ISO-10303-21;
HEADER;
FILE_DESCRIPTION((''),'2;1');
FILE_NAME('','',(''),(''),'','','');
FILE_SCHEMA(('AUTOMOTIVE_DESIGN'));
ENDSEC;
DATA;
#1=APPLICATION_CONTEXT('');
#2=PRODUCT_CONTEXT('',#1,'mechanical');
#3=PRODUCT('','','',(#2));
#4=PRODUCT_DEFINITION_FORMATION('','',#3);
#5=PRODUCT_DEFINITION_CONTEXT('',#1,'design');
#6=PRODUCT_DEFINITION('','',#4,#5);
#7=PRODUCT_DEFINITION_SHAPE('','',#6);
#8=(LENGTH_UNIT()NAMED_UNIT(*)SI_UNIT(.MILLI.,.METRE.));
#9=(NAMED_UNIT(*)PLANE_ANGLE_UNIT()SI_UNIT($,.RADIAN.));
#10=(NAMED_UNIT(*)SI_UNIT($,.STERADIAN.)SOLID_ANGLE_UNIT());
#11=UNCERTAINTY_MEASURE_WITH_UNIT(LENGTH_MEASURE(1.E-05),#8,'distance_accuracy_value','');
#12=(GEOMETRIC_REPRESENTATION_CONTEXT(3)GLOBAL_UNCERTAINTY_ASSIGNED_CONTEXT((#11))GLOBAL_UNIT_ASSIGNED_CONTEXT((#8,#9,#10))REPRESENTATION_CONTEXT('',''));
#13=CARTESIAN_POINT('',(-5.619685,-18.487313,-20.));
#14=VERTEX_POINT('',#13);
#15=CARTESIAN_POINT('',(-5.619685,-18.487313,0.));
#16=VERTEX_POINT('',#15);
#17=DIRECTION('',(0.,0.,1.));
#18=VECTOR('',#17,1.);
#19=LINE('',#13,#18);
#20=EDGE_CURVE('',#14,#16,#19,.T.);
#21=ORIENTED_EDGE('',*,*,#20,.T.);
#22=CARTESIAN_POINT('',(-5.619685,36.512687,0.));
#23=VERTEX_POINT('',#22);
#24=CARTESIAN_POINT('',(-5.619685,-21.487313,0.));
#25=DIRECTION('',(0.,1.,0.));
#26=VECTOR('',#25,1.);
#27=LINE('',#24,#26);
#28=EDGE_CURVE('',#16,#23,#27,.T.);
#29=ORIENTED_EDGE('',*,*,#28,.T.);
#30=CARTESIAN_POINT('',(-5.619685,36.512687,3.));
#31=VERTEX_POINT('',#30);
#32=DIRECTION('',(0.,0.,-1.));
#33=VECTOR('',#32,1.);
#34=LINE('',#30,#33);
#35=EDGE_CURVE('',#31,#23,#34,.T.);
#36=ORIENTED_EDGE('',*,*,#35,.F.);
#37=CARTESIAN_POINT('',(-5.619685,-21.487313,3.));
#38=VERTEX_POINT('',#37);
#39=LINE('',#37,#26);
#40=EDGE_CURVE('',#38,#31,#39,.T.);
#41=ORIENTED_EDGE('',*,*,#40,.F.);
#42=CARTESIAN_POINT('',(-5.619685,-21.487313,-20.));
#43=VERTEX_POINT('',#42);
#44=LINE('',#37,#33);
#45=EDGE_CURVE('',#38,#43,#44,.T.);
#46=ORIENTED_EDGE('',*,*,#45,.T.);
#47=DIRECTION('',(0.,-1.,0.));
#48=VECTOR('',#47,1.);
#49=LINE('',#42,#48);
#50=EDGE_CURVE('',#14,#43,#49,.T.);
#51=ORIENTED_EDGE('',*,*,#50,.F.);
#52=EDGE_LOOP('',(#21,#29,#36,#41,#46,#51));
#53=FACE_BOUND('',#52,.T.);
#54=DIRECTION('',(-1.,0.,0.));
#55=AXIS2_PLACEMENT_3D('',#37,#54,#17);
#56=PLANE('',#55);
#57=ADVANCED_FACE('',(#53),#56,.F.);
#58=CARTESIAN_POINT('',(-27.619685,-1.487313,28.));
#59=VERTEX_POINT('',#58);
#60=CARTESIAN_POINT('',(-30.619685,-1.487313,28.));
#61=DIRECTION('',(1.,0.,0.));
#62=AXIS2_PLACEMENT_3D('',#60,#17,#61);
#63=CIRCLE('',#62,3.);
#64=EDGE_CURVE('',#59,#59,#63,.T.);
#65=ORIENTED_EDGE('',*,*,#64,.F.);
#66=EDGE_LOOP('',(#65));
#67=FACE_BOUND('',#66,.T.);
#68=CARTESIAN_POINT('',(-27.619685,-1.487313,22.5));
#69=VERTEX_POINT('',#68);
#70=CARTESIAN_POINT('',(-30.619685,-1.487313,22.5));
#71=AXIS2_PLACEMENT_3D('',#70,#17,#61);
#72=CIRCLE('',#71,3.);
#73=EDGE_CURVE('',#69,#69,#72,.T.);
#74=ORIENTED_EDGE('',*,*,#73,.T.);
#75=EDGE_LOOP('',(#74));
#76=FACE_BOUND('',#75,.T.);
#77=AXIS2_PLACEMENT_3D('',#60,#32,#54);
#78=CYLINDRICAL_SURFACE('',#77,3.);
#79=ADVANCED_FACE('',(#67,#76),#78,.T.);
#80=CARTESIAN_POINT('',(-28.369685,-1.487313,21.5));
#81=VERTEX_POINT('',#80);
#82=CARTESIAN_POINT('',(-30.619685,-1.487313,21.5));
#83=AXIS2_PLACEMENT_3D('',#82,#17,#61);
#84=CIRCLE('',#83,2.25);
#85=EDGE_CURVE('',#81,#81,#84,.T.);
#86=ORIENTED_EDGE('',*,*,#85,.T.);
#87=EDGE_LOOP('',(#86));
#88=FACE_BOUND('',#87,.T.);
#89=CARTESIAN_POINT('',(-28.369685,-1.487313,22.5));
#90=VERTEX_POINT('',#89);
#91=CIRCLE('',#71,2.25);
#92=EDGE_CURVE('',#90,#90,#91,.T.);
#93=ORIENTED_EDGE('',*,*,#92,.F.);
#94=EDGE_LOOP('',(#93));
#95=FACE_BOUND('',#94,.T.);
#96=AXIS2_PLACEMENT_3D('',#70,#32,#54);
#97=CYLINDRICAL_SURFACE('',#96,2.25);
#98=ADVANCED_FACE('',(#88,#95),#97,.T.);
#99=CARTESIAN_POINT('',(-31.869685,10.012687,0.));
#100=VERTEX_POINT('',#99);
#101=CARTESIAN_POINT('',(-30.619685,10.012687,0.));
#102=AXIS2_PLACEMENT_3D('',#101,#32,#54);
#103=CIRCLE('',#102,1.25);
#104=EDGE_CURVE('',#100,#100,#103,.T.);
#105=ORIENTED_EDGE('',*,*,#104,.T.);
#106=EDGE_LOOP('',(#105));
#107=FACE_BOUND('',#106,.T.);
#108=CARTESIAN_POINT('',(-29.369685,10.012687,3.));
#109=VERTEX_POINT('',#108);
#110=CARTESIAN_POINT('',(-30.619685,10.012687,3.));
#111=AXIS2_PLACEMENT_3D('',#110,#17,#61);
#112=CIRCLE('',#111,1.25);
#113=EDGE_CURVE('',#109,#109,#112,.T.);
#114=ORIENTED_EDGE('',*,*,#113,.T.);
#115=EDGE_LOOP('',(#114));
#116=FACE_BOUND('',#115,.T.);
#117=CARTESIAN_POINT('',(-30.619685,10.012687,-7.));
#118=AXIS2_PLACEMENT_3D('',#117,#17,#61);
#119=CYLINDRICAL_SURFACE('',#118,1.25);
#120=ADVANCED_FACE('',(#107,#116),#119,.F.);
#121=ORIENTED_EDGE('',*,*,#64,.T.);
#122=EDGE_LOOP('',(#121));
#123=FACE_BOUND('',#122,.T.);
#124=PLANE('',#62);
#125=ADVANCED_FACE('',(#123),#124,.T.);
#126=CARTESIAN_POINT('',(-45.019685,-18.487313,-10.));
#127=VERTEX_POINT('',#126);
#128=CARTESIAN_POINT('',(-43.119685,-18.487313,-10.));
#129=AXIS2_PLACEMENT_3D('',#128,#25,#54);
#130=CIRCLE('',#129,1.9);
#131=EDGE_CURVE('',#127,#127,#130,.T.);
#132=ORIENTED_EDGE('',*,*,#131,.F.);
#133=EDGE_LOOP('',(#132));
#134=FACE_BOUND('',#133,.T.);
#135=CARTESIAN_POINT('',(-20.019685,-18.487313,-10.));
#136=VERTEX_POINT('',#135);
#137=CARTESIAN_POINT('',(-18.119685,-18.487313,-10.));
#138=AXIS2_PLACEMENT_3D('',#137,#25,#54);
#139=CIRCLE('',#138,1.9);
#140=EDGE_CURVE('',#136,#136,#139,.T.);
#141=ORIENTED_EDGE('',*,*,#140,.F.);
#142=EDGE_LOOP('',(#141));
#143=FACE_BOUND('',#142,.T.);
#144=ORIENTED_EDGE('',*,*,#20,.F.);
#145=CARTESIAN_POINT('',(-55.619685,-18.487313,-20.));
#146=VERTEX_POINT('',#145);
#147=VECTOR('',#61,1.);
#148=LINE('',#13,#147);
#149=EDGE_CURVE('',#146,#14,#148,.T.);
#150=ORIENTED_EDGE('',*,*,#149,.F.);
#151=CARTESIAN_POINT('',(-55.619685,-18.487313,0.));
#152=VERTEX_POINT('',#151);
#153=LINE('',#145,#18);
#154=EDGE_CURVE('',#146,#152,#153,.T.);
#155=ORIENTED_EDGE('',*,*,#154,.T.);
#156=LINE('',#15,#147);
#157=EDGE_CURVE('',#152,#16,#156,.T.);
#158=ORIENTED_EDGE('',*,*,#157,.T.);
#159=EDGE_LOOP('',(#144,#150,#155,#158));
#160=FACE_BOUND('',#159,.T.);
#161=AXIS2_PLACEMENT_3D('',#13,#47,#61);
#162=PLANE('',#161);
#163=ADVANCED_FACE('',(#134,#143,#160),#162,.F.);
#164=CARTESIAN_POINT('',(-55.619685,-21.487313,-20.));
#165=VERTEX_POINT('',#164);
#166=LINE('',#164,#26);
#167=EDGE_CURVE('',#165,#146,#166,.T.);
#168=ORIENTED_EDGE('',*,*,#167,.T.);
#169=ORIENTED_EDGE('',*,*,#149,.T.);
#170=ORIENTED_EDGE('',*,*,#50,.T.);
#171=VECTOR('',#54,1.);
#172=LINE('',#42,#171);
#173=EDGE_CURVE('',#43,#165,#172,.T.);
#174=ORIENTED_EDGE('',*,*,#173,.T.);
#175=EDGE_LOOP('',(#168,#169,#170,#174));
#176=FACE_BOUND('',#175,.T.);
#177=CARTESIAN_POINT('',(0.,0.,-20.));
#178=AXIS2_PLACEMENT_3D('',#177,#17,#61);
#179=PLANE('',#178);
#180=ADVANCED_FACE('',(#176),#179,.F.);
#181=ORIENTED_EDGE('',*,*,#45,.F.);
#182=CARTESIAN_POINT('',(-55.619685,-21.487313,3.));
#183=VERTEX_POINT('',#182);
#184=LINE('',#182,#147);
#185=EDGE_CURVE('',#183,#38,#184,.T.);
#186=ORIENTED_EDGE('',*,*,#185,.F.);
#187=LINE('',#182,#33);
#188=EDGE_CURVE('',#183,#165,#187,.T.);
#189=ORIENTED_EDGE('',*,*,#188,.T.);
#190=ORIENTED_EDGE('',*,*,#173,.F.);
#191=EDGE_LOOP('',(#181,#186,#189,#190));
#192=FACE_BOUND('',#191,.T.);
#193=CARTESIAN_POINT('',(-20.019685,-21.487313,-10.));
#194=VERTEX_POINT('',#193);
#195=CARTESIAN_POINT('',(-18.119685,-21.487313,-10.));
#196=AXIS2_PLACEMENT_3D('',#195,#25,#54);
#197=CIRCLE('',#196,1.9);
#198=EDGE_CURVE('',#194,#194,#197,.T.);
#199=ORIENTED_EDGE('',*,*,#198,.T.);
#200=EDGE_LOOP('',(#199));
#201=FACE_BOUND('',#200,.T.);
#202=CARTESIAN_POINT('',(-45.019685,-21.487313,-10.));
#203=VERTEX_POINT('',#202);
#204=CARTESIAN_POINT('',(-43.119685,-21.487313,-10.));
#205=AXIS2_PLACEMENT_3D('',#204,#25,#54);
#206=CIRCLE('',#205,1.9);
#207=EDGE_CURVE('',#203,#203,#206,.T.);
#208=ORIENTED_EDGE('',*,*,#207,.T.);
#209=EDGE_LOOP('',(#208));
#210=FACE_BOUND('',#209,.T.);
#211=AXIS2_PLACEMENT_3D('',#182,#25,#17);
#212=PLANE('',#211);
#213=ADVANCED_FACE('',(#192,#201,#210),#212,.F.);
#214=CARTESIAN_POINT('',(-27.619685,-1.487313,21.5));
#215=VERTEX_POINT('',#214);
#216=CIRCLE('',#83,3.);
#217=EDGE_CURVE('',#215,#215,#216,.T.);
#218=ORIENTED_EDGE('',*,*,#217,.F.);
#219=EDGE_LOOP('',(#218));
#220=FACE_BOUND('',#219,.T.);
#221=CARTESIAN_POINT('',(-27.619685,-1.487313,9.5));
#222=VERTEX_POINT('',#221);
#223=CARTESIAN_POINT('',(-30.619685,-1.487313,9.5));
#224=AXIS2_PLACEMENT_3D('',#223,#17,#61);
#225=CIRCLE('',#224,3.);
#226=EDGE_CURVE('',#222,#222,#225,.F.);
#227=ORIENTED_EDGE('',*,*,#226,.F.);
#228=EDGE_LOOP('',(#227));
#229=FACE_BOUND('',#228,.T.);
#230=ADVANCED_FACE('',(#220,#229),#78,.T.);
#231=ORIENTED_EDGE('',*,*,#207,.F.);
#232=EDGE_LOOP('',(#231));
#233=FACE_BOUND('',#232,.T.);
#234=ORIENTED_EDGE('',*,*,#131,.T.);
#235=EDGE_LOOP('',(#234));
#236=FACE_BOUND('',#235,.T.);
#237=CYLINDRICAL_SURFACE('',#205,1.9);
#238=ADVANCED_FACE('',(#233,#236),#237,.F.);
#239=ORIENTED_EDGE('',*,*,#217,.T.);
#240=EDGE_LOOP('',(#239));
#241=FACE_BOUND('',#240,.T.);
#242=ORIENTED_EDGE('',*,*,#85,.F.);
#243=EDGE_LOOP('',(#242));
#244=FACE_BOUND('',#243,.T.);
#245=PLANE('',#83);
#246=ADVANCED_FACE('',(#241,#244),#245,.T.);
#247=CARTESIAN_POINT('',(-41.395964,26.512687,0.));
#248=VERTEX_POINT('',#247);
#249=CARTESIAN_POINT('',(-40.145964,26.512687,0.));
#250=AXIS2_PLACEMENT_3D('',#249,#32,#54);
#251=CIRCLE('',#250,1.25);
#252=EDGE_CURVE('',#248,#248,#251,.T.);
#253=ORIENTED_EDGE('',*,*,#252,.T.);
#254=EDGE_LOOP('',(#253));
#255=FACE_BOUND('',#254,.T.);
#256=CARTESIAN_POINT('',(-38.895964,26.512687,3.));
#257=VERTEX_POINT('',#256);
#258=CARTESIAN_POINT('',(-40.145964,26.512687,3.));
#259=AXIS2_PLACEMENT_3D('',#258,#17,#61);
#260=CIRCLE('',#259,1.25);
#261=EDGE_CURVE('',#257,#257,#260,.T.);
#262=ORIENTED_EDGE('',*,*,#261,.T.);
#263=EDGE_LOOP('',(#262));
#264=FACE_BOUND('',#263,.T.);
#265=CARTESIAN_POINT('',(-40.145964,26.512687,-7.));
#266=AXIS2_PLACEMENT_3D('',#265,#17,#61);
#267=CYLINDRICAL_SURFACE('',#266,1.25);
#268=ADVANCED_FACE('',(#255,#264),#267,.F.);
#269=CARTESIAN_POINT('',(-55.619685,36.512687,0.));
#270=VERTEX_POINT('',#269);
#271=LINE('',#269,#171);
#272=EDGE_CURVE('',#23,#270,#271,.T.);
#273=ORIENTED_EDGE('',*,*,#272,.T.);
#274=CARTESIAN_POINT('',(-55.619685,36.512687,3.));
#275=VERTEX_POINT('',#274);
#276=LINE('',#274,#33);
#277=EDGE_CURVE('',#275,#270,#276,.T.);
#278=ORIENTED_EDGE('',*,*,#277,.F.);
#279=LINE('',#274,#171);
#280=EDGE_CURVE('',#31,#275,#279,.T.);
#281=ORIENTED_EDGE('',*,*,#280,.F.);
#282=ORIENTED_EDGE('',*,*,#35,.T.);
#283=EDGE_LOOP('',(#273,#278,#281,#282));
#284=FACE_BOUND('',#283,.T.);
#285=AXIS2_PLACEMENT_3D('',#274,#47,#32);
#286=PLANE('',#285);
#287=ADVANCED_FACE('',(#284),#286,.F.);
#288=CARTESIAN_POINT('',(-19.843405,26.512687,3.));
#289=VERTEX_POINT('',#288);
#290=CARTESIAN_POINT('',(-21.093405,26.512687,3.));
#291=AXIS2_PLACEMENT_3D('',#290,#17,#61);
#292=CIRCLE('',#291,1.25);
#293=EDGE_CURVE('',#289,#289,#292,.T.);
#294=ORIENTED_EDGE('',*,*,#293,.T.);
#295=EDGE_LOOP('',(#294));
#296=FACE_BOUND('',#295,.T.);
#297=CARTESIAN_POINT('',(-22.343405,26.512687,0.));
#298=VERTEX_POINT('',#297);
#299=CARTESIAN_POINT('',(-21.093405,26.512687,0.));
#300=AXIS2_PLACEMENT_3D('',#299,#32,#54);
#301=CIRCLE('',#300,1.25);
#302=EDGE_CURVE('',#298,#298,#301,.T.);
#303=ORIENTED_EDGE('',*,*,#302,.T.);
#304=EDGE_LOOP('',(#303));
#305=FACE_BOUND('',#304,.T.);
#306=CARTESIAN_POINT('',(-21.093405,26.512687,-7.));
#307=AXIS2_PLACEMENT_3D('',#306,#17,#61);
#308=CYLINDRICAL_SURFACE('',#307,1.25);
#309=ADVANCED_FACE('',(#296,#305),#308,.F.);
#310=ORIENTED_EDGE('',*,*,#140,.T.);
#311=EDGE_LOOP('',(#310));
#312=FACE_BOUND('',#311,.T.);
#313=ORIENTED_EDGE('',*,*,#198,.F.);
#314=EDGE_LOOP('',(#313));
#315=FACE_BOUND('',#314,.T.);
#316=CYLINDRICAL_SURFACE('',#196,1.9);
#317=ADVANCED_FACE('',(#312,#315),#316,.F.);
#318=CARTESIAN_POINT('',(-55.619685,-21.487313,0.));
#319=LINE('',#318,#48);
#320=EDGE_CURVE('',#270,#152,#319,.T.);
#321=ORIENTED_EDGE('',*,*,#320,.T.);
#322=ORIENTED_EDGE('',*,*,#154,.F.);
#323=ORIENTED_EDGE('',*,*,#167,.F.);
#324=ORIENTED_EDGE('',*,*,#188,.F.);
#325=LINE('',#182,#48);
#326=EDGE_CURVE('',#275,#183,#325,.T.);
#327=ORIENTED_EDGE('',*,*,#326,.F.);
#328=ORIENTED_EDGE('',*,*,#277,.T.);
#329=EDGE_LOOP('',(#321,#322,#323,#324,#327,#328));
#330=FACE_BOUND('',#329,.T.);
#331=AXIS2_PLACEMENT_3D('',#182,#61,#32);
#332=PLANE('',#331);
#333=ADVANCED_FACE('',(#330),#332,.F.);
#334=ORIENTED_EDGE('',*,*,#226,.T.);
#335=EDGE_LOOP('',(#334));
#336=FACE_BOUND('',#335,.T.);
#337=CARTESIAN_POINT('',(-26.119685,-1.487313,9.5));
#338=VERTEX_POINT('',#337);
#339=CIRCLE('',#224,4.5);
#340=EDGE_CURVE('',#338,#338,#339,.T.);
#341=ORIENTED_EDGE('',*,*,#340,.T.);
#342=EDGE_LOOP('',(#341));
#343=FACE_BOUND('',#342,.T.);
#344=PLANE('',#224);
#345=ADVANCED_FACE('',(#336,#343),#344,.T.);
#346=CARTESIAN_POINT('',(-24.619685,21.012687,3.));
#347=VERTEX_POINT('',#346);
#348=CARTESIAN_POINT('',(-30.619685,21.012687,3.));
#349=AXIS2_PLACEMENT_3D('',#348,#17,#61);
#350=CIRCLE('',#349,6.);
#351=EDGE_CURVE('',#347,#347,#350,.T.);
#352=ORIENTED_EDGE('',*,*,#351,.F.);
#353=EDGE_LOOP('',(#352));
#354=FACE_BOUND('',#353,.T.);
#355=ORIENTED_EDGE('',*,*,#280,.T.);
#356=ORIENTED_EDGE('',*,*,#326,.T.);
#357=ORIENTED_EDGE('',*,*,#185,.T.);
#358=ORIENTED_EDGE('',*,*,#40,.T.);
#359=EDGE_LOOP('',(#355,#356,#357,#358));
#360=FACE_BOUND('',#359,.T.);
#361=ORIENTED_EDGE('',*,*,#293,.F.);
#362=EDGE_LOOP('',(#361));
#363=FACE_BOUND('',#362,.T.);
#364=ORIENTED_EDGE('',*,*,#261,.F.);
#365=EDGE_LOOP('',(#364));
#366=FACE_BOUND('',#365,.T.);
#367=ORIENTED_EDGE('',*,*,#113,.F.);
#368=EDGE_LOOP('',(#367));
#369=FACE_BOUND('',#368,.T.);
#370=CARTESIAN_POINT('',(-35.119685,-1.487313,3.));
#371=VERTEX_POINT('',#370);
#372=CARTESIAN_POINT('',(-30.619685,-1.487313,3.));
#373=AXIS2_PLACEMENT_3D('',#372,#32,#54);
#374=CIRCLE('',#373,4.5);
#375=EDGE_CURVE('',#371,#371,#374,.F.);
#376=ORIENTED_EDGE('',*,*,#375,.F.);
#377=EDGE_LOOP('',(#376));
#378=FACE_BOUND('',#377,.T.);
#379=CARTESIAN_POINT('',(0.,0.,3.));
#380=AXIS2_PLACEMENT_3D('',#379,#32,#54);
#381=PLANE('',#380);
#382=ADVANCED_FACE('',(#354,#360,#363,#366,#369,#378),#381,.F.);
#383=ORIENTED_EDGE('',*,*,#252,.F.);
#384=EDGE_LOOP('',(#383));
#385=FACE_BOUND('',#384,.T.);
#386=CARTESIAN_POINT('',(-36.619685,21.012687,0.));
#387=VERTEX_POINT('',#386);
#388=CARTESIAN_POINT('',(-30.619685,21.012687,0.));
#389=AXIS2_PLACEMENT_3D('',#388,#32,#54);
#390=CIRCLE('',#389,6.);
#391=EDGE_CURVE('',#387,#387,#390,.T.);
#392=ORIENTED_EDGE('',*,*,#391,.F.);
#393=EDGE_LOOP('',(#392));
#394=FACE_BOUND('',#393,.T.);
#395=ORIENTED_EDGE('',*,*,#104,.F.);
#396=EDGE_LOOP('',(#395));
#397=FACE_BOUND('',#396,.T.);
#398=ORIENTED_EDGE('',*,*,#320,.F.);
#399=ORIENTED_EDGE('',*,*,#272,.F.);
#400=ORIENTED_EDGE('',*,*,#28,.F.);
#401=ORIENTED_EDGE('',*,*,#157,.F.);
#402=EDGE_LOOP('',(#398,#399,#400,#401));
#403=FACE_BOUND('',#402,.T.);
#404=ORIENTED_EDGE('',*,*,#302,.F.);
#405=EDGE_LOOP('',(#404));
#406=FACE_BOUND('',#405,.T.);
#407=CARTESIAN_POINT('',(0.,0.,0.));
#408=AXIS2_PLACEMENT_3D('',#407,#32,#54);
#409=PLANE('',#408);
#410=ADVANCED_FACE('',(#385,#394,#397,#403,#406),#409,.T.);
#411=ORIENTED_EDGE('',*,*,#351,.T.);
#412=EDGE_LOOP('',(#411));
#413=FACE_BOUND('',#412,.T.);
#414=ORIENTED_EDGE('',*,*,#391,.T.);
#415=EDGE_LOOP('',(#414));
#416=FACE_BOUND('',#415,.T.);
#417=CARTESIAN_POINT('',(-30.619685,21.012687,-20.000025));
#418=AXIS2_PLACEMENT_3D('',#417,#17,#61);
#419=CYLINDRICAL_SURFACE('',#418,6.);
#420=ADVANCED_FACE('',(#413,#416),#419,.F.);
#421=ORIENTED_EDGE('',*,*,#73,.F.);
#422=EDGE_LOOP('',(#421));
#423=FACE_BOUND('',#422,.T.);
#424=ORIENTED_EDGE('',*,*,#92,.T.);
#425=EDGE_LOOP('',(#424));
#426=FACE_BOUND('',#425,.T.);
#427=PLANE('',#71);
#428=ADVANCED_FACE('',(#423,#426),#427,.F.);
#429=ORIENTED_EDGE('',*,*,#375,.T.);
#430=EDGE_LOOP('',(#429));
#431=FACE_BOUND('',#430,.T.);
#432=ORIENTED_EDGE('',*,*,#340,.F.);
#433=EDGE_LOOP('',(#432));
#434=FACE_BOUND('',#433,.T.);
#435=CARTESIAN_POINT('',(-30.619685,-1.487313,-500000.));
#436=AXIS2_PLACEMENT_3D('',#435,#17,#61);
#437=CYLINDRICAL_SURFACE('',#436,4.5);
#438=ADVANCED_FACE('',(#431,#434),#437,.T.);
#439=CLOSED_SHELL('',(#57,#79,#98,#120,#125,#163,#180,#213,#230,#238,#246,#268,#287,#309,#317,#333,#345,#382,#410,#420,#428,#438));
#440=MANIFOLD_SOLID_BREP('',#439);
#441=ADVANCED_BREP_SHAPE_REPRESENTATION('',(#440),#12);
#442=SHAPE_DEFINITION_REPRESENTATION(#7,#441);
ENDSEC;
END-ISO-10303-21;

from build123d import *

# Parameters (mm, degrees)
SKETCH1_W           = 50
SKETCH1_H           = 58
BOSS_EXTRUDE1_DEPTH = 3
SKETCH2_W           = 50
SKETCH2_H           = 3
BOSS_EXTRUDE2_DEPTH = 20
SKETCH6_R           = 3
BOSS_EXTRUDE3_DEPTH = 25
SKETCH7_R           = 6
CUT_EXTRUDE2_DEPTH  = 24
SKETCH9_R           = 1.9
CUT_EXTRUDE3_DEPTH  = 4
SKETCH10_R          = 1.25
CUT_EXTRUDE4_DEPTH  = 10
BOSS_EXTRUDE4_REACH = 31.5
SKETCH11_R          = 4.5
SKETCH12_R          = 3
SKETCH12_R_2        = 2.25
CUT_EXTRUDE5_DEPTH  = 1


with BuildPart() as part:
    # Sketch1 → Boss-Extrude1 (new body)
    with BuildSketch(Plane.XY):
        with Locations((-30.619684785, 7.512687188)):
            Rectangle(SKETCH1_W, SKETCH1_H)
    extrude(amount=BOSS_EXTRUDE1_DEPTH)

    # Sketch2 → Boss-Extrude2 (add)
    with BuildSketch(Plane(origin=(0, 0, 0), x_dir=(-1, 0, 0), z_dir=(0, 0, -1))):
        with Locations((30.619684785, -19.987312812)):
            Rectangle(SKETCH2_W, SKETCH2_H)
    extrude(amount=BOSS_EXTRUDE2_DEPTH)

    # Sketch6 → Boss-Extrude3 (add)
    with BuildSketch(Plane.XY.offset(3)):
        with Locations((-30.619684785, -1.487312812)):
            Circle(SKETCH6_R)
    extrude(amount=BOSS_EXTRUDE3_DEPTH)

    # Sketch7 → Cut-Extrude2 (cut, through all)
    with BuildSketch(Plane.XY.offset(3)):
        with Locations((-30.619684785, 21.012687188)):
            Circle(SKETCH7_R)
    extrude(amount=-CUT_EXTRUDE2_DEPTH, mode=Mode.SUBTRACT)

    # Sketch9 → Cut-Extrude3 (cut, through all)
    with BuildSketch(Plane(origin=(0, -18.487312812, 0), x_dir=(1, 0, 0), z_dir=(0, 1, 0))):
        with Locations((-18.119684785, 10)):
            Circle(SKETCH9_R)
        with Locations((-43.119684785, 10)):
            Circle(SKETCH9_R)
    extrude(amount=-CUT_EXTRUDE3_DEPTH, mode=Mode.SUBTRACT)

    # Sketch10 → Cut-Extrude4 (cut)
    with BuildSketch(Plane.XY.offset(3)):
        with Locations((-40.145964226, 26.512687188)):
            Circle(SKETCH10_R)
        with Locations((-21.093405343, 26.512687188)):
            Circle(SKETCH10_R)
        with Locations((-30.619684785, 10.012687188)):
            Circle(SKETCH10_R)
    extrude(amount=-CUT_EXTRUDE4_DEPTH, mode=Mode.SUBTRACT)

    # Sketch11 → Boss-Extrude4 (add, up to next)
    with BuildSketch(Plane.XY.offset(9.5), mode=Mode.PRIVATE) as boss_extrude4_sk1:
        with Locations((-30.619684785, -1.487312812)):
            Circle(SKETCH11_R)
    boss_extrude4_tool1 = extrude(boss_extrude4_sk1.sketch, amount=-BOSS_EXTRUDE4_REACH, mode=Mode.PRIVATE) - part.part
    add(boss_extrude4_tool1.solids().sort_by_distance((-30.619685, -1.487313, 9.5))[0])

    # Sketch12 → Cut-Extrude5 (cut)
    with BuildSketch(Plane.XY.offset(21.5)):
        with Locations((-30.619684785, -1.487312812)):
            Circle(SKETCH12_R)
        with Locations((-30.619684785, -1.487312812)):
            Circle(SKETCH12_R_2, mode=Mode.SUBTRACT)
    extrude(amount=CUT_EXTRUDE5_DEPTH, mode=Mode.SUBTRACT)


solid = part.part
